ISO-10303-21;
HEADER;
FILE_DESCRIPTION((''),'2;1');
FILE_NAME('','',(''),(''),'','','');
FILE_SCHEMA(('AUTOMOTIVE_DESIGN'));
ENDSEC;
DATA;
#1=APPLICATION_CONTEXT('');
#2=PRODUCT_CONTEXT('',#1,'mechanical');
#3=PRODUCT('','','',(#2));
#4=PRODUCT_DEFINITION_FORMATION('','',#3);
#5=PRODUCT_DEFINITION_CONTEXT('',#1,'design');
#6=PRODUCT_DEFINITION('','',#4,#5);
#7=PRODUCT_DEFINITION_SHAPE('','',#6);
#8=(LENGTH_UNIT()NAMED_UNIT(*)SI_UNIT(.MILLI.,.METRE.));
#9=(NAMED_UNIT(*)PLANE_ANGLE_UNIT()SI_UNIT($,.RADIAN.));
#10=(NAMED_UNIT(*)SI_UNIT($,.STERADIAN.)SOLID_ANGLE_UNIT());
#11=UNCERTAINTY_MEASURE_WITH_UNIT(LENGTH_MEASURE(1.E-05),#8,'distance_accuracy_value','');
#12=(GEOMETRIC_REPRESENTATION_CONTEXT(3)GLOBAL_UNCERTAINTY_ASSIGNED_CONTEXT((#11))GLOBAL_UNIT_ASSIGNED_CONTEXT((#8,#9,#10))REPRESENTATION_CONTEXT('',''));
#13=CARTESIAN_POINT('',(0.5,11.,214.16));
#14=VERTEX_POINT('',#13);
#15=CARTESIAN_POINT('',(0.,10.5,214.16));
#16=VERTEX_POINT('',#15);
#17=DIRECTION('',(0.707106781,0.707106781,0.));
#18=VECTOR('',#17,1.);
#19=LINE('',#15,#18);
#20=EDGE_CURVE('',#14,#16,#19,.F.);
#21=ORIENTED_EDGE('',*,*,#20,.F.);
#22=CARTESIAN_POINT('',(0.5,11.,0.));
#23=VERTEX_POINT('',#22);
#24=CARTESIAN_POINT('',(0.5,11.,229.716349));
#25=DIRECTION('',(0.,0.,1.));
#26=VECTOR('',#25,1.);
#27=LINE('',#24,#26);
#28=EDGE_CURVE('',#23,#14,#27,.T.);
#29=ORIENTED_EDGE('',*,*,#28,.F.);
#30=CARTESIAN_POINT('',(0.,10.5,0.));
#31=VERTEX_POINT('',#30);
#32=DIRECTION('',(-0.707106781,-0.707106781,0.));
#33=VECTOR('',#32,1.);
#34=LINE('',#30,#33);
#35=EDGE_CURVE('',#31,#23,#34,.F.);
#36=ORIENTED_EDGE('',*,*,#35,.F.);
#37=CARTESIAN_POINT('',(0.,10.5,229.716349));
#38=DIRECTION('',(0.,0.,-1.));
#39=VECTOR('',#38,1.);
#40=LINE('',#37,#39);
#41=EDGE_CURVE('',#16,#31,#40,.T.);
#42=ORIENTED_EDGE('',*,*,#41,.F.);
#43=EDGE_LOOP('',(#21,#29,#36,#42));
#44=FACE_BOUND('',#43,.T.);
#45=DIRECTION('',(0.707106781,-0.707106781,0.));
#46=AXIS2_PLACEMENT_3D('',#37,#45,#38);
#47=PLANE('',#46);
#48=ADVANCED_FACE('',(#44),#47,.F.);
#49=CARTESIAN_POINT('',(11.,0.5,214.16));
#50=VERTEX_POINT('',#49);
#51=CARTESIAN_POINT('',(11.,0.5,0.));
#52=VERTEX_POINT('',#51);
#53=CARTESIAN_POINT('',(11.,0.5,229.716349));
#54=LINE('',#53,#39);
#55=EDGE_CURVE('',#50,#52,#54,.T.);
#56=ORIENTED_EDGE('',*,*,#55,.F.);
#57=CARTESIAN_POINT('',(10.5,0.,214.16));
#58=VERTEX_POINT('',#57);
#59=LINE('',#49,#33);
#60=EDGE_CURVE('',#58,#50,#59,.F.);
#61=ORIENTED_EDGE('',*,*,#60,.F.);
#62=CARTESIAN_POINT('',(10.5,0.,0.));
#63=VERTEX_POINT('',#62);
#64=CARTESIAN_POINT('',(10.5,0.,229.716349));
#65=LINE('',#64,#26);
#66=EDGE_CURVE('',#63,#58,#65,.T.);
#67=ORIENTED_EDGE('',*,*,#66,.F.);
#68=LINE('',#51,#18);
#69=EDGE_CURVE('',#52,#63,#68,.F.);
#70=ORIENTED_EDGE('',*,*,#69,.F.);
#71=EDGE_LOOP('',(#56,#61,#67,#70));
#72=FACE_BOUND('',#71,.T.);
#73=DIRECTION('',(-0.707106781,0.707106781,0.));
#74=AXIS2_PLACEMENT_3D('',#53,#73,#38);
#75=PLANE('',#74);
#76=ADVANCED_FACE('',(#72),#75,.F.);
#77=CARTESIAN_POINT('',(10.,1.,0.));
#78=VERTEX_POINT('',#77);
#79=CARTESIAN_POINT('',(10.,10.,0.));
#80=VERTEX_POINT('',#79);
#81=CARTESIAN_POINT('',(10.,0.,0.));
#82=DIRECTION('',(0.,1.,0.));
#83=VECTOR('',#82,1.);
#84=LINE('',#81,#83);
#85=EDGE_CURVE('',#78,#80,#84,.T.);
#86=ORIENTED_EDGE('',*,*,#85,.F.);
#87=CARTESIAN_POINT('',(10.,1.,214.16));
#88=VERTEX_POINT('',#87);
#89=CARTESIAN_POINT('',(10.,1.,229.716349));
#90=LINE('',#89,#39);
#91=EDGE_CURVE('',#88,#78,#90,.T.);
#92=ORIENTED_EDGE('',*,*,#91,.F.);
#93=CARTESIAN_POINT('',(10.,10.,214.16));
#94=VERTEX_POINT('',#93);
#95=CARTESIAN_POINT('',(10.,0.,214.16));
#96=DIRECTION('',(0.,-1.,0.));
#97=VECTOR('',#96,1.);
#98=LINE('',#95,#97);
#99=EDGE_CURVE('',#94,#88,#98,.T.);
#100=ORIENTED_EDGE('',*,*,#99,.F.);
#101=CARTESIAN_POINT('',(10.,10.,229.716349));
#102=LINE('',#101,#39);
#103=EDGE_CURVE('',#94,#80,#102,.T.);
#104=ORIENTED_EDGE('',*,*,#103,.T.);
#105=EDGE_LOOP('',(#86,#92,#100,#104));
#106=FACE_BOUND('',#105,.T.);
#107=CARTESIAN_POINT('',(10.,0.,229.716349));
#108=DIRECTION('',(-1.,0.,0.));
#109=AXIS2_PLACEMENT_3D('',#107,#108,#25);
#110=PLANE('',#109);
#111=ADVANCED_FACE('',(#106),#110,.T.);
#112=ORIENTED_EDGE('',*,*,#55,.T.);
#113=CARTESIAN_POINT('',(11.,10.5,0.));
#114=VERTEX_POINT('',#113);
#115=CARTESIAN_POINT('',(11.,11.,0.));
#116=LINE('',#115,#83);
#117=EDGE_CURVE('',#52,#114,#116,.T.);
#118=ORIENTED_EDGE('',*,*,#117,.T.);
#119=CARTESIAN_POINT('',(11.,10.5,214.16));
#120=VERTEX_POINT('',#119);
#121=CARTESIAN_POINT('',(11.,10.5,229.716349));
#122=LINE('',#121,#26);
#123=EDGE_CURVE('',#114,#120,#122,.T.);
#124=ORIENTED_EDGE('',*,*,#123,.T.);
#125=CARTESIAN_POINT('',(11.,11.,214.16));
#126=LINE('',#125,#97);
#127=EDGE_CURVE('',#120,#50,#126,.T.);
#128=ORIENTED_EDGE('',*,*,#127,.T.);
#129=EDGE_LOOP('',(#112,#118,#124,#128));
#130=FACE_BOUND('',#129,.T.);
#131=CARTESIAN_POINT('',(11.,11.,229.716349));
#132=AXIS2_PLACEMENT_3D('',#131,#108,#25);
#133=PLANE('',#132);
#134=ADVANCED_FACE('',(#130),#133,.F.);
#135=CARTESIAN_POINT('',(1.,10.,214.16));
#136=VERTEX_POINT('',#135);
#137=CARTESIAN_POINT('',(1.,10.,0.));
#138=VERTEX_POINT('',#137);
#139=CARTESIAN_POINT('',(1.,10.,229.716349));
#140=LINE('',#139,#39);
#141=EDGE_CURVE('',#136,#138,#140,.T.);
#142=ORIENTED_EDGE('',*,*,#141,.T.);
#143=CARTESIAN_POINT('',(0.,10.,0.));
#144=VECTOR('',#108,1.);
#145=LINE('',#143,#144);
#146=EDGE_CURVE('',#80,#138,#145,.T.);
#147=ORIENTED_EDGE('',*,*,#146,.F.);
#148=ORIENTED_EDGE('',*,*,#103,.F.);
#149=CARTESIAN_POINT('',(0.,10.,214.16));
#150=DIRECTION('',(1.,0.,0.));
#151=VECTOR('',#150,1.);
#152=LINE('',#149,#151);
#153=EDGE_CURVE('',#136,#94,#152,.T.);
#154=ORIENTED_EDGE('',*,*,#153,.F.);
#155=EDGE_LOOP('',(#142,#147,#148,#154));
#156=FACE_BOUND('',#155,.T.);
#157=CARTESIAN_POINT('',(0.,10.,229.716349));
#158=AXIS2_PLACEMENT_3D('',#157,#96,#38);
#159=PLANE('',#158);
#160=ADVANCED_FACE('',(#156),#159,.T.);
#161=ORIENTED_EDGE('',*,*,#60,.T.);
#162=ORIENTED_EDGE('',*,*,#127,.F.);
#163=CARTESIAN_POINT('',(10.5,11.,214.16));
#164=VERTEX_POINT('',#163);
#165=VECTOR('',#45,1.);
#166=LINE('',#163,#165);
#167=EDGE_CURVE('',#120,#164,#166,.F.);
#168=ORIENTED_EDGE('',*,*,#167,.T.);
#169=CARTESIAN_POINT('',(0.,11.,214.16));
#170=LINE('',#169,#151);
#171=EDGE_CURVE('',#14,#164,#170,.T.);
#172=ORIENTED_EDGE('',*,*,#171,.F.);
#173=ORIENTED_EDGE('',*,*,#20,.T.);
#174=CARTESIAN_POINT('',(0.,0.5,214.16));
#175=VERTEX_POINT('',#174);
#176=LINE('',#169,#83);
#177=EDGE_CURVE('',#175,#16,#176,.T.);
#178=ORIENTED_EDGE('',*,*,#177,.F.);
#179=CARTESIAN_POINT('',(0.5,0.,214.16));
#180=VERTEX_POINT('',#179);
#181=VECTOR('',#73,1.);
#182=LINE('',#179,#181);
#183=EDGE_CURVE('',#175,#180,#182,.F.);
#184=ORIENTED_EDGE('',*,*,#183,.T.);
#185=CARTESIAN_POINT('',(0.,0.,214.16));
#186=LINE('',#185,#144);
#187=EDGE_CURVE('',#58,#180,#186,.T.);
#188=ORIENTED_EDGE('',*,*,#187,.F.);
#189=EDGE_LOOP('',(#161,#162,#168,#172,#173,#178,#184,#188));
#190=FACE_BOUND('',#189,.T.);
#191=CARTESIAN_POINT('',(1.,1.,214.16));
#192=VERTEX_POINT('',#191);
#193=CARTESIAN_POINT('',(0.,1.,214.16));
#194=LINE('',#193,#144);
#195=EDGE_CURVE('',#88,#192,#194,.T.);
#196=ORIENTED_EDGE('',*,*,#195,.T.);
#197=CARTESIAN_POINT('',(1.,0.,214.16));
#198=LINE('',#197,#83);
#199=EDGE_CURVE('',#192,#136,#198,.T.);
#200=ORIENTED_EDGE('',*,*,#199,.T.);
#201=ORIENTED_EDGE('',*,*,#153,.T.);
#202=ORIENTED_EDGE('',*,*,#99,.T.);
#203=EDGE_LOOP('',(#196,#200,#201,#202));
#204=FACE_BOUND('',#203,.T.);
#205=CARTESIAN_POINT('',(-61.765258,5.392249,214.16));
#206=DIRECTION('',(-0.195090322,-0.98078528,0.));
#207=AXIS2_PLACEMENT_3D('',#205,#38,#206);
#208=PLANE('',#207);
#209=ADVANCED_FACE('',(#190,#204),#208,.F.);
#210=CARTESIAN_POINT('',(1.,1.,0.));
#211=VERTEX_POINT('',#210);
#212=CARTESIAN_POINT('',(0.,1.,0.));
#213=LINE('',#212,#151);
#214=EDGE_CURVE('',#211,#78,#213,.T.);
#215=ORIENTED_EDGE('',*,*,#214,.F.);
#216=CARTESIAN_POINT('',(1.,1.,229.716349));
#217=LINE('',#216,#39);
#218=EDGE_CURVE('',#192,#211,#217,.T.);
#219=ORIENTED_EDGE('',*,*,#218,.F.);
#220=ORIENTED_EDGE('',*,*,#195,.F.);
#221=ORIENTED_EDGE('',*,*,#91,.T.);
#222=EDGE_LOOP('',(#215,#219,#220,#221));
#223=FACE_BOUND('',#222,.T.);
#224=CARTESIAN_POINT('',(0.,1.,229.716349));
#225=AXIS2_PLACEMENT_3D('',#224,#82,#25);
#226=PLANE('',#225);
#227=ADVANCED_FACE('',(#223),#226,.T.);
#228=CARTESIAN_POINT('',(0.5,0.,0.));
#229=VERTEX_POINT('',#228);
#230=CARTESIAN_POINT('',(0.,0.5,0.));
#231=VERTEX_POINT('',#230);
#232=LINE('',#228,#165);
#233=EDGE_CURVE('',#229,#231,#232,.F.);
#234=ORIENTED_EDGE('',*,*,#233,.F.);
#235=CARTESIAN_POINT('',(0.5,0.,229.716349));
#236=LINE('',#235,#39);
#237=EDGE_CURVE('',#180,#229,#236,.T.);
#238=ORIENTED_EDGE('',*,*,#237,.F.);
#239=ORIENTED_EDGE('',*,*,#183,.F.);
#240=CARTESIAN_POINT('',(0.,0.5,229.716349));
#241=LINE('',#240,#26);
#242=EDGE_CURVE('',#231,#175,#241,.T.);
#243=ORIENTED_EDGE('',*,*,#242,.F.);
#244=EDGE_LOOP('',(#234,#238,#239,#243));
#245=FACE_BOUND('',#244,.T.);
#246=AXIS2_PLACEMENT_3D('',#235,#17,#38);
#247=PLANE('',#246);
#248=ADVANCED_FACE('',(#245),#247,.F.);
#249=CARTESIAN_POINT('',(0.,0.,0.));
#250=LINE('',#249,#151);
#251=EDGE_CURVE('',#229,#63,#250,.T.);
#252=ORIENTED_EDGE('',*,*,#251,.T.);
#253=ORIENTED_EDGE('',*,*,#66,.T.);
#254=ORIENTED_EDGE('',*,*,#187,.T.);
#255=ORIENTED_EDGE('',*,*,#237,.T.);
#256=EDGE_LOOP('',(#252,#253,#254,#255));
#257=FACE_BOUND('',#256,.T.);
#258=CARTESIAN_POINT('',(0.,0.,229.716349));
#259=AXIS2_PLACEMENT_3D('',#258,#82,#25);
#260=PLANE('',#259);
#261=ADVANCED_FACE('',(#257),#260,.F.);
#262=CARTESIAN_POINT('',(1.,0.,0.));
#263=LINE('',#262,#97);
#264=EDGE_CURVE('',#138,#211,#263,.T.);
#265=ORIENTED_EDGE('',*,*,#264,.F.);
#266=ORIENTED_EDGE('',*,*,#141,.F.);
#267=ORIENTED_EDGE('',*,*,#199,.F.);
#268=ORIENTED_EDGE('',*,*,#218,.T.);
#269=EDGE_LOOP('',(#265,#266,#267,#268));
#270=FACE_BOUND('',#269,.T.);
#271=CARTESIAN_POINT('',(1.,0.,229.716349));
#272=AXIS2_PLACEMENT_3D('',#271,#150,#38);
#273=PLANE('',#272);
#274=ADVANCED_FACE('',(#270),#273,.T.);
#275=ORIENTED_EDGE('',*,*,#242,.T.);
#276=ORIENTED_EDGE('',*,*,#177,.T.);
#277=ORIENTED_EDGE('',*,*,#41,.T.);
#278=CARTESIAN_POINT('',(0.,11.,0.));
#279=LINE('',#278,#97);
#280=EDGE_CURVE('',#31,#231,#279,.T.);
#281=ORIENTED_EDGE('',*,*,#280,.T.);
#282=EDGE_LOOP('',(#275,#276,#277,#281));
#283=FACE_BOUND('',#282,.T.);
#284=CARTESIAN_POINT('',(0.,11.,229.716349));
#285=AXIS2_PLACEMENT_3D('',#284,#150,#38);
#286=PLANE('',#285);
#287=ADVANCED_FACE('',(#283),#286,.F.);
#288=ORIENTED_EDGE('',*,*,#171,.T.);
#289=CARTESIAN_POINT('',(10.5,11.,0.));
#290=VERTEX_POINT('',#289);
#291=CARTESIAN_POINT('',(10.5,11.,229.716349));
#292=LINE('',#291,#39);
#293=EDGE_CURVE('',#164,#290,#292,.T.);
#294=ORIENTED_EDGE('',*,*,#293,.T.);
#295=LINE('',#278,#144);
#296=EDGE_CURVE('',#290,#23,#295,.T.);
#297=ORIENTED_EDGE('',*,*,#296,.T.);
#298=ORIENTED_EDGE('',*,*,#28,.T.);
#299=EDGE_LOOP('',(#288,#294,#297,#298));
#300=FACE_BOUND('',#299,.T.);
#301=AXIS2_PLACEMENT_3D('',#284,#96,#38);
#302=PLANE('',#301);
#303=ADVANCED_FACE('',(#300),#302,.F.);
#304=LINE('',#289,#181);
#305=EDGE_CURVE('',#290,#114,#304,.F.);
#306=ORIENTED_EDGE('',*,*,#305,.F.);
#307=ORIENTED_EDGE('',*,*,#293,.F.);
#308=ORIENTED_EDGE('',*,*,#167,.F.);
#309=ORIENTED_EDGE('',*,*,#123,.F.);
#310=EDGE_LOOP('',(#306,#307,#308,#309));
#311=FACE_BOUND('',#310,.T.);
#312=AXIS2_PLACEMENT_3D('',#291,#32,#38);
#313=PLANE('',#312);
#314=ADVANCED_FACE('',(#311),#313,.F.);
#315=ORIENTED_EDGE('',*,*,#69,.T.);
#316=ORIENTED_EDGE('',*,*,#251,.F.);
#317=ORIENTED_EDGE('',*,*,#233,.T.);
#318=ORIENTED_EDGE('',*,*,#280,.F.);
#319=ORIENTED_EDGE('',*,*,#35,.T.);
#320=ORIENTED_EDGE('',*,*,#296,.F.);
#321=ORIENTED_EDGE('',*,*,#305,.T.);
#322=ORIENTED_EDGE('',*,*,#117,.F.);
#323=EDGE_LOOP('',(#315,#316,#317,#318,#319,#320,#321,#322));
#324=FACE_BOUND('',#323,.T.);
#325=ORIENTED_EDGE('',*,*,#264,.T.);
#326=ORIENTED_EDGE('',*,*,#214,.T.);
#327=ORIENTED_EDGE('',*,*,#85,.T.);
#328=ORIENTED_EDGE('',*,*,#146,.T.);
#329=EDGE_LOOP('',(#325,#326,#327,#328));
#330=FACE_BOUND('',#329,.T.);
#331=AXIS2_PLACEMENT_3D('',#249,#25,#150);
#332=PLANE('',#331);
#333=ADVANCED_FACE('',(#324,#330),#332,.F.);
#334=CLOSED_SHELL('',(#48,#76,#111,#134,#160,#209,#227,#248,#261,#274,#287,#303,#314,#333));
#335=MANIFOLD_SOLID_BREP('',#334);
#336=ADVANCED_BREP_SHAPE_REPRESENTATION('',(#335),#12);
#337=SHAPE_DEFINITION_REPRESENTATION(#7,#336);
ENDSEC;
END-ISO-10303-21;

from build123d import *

# Parameters (mm, degrees)
SCHIZZO1_W          = 11
SCHIZZO1_H          = 11
SCHIZZO1_W_2        = 9
SCHIZZO1_H_2        = 9
EXTRUDE_THIN1_DEPTH = 214.16
CHAMFER1_SIZE       = 0.5


with BuildPart() as part:
    # Schizzo1 → Extrude-Thin1 (new body)
    with BuildSketch(Plane.XY):
        with Locations((5.5, 5.5)):
            Rectangle(SCHIZZO1_W, SCHIZZO1_H)
        with Locations((5.5, 5.5)):
            Rectangle(SCHIZZO1_W_2, SCHIZZO1_H_2, mode=Mode.SUBTRACT)
    extrude(amount=EXTRUDE_THIN1_DEPTH)

    # Chamfer1
    chamfer1_edges = [part.edges().sort_by_distance(p)[0] for p in [
        (11, 11, 107.08),
        (0, 11, 107.08),
        (0, 0, 107.08),
        (11, 0, 107.08),
    ]]
    chamfer(chamfer1_edges, length=CHAMFER1_SIZE)


solid = part.part
